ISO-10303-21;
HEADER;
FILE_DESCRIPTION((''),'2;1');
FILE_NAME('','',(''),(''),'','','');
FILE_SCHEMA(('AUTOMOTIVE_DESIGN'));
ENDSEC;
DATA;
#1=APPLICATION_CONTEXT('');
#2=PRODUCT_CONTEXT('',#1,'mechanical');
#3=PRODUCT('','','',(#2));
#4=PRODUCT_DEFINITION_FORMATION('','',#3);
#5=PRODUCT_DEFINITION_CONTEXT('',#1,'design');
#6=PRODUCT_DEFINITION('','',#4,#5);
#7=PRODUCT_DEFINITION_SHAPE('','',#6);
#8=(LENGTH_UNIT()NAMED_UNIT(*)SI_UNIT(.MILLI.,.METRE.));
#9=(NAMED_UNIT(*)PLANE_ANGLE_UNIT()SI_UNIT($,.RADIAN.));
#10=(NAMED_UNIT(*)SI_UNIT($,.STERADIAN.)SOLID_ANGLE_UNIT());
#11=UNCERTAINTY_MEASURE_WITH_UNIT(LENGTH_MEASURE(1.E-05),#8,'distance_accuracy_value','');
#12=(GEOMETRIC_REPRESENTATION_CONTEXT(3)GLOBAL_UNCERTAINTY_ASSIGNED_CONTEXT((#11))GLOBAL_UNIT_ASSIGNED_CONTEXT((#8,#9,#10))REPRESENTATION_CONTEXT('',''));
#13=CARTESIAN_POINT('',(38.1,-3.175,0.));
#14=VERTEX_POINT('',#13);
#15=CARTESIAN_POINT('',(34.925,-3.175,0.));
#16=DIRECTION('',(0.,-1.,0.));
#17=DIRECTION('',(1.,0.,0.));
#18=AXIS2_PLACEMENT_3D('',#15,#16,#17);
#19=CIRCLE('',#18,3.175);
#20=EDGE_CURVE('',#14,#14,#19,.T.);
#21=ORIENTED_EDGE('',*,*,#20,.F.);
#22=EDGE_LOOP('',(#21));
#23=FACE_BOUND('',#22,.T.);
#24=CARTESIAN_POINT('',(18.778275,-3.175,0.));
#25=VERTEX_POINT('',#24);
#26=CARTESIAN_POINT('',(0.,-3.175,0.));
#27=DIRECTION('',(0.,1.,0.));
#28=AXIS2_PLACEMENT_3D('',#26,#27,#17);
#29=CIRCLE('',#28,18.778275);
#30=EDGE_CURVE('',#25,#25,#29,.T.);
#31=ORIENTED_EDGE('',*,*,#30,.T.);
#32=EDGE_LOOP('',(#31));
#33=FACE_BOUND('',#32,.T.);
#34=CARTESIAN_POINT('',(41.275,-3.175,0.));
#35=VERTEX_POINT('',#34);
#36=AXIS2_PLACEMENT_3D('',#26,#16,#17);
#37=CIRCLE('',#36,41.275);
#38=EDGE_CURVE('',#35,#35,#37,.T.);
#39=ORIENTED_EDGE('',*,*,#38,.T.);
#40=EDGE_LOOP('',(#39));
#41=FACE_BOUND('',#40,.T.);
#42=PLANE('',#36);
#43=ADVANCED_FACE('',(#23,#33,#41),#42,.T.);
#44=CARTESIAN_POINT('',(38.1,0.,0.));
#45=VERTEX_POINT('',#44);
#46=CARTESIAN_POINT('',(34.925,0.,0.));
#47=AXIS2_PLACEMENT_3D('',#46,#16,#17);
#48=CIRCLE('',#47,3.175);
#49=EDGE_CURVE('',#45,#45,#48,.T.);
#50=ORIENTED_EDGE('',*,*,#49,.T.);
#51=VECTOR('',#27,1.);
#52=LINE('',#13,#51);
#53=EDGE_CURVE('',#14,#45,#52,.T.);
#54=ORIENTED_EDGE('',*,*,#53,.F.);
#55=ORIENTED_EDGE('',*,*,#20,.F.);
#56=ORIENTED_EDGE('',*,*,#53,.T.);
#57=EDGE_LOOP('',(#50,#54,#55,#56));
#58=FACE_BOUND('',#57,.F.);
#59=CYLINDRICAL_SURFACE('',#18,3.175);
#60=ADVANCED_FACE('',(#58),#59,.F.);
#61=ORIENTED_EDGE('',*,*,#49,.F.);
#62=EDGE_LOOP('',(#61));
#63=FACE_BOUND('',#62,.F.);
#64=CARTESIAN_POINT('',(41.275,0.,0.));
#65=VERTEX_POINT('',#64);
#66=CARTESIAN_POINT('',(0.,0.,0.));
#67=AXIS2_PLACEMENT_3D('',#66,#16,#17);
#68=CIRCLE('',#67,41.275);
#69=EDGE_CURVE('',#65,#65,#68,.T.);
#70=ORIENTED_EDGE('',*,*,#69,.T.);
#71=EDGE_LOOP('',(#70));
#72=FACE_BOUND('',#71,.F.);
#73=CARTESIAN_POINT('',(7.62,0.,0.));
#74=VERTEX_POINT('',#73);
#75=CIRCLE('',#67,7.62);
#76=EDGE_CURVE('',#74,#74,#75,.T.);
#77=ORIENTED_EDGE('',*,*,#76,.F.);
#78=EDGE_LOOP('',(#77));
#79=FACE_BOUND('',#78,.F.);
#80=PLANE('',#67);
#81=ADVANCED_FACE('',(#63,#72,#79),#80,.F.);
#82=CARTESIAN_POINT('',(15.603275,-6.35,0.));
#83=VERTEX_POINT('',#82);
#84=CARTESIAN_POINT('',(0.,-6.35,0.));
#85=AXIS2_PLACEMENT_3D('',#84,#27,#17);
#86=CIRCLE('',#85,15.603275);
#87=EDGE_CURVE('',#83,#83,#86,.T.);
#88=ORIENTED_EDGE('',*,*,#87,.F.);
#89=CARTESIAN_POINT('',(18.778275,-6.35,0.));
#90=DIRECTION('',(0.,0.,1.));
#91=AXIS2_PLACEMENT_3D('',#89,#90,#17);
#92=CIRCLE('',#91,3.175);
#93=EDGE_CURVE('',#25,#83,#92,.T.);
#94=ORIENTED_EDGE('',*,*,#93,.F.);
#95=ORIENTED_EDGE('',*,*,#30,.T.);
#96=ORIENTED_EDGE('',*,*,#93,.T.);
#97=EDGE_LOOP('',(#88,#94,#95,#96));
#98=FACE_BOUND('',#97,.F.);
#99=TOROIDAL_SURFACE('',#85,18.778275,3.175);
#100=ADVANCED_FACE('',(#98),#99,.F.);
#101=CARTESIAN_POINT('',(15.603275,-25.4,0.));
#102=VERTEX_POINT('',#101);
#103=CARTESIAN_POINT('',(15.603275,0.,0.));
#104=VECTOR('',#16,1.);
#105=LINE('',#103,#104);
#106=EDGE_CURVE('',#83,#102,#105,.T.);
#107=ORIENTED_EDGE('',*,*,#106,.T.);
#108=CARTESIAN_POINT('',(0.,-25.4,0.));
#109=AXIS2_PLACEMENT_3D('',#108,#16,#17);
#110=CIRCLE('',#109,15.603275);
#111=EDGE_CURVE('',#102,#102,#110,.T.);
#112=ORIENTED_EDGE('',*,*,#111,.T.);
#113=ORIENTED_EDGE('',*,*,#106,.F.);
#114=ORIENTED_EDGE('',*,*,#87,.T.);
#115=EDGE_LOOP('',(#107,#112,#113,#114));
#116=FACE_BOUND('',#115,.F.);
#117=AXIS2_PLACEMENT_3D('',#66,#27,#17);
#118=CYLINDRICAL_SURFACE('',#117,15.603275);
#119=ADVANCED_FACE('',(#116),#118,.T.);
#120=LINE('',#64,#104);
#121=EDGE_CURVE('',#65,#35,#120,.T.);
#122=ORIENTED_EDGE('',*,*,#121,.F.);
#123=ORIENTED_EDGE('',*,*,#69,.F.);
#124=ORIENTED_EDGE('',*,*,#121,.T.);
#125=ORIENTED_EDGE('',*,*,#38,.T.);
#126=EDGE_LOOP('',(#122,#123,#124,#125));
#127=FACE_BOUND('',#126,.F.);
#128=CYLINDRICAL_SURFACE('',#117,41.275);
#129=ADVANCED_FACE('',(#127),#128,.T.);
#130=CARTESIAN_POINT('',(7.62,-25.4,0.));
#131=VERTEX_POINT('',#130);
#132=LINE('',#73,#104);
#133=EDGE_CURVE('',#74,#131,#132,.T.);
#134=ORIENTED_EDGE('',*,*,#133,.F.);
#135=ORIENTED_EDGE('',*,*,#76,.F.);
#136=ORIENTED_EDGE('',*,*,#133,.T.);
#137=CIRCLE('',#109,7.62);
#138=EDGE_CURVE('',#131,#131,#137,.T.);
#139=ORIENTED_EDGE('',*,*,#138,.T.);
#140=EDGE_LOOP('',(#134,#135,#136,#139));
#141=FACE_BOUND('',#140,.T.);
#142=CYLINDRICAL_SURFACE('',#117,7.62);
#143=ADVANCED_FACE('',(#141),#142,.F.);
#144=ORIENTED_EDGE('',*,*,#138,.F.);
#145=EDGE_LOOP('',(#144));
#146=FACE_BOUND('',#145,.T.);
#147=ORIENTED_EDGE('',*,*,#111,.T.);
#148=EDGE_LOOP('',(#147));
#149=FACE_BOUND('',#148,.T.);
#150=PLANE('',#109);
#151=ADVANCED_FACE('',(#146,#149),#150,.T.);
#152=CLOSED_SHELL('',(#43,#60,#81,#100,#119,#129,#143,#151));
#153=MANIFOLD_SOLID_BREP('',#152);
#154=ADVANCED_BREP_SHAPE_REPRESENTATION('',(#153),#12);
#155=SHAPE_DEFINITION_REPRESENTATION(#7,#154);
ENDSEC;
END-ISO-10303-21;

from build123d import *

# Parameters (mm, degrees)
F0_R     = 41.275
F1_DEPTH = 3.175
F2_R     = 15.603275
F3_DEPTH = 25.4
F4_R     = 7.62
F5_DEPTH = 25.4
F6_R     = 3.175
F8_R     = 3.175
F9_DEPTH = 25.4


with BuildPart() as f1:
    # F0 (on Front) → F1 (new body)
    with BuildSketch(Plane.XZ):
        Circle(F0_R)
    extrude(amount=F1_DEPTH)

    # F2 (on Front) → F3 (join)
    with BuildSketch(Plane.XZ):
        Circle(F2_R)
    extrude(amount=F3_DEPTH)

    # F4 (on Front) → F5 (cut)
    with BuildSketch(Plane.XZ):
        Circle(F4_R)
    extrude(amount=F5_DEPTH, mode=Mode.SUBTRACT)

    # F6
    f6_edges = [f1.edges().sort_by_distance(p)[0] for p in [
        (-15.603275, -3.175, 0),
    ]]
    fillet(f6_edges, radius=F6_R)

    # F8 (on face) → F9 (cut)
    with BuildSketch(Plane.XZ.offset(3.175)):
        with Locations((34.925, 0)):
            Circle(F8_R)
    extrude(amount=-F9_DEPTH, mode=Mode.SUBTRACT)


solid = f1.part
